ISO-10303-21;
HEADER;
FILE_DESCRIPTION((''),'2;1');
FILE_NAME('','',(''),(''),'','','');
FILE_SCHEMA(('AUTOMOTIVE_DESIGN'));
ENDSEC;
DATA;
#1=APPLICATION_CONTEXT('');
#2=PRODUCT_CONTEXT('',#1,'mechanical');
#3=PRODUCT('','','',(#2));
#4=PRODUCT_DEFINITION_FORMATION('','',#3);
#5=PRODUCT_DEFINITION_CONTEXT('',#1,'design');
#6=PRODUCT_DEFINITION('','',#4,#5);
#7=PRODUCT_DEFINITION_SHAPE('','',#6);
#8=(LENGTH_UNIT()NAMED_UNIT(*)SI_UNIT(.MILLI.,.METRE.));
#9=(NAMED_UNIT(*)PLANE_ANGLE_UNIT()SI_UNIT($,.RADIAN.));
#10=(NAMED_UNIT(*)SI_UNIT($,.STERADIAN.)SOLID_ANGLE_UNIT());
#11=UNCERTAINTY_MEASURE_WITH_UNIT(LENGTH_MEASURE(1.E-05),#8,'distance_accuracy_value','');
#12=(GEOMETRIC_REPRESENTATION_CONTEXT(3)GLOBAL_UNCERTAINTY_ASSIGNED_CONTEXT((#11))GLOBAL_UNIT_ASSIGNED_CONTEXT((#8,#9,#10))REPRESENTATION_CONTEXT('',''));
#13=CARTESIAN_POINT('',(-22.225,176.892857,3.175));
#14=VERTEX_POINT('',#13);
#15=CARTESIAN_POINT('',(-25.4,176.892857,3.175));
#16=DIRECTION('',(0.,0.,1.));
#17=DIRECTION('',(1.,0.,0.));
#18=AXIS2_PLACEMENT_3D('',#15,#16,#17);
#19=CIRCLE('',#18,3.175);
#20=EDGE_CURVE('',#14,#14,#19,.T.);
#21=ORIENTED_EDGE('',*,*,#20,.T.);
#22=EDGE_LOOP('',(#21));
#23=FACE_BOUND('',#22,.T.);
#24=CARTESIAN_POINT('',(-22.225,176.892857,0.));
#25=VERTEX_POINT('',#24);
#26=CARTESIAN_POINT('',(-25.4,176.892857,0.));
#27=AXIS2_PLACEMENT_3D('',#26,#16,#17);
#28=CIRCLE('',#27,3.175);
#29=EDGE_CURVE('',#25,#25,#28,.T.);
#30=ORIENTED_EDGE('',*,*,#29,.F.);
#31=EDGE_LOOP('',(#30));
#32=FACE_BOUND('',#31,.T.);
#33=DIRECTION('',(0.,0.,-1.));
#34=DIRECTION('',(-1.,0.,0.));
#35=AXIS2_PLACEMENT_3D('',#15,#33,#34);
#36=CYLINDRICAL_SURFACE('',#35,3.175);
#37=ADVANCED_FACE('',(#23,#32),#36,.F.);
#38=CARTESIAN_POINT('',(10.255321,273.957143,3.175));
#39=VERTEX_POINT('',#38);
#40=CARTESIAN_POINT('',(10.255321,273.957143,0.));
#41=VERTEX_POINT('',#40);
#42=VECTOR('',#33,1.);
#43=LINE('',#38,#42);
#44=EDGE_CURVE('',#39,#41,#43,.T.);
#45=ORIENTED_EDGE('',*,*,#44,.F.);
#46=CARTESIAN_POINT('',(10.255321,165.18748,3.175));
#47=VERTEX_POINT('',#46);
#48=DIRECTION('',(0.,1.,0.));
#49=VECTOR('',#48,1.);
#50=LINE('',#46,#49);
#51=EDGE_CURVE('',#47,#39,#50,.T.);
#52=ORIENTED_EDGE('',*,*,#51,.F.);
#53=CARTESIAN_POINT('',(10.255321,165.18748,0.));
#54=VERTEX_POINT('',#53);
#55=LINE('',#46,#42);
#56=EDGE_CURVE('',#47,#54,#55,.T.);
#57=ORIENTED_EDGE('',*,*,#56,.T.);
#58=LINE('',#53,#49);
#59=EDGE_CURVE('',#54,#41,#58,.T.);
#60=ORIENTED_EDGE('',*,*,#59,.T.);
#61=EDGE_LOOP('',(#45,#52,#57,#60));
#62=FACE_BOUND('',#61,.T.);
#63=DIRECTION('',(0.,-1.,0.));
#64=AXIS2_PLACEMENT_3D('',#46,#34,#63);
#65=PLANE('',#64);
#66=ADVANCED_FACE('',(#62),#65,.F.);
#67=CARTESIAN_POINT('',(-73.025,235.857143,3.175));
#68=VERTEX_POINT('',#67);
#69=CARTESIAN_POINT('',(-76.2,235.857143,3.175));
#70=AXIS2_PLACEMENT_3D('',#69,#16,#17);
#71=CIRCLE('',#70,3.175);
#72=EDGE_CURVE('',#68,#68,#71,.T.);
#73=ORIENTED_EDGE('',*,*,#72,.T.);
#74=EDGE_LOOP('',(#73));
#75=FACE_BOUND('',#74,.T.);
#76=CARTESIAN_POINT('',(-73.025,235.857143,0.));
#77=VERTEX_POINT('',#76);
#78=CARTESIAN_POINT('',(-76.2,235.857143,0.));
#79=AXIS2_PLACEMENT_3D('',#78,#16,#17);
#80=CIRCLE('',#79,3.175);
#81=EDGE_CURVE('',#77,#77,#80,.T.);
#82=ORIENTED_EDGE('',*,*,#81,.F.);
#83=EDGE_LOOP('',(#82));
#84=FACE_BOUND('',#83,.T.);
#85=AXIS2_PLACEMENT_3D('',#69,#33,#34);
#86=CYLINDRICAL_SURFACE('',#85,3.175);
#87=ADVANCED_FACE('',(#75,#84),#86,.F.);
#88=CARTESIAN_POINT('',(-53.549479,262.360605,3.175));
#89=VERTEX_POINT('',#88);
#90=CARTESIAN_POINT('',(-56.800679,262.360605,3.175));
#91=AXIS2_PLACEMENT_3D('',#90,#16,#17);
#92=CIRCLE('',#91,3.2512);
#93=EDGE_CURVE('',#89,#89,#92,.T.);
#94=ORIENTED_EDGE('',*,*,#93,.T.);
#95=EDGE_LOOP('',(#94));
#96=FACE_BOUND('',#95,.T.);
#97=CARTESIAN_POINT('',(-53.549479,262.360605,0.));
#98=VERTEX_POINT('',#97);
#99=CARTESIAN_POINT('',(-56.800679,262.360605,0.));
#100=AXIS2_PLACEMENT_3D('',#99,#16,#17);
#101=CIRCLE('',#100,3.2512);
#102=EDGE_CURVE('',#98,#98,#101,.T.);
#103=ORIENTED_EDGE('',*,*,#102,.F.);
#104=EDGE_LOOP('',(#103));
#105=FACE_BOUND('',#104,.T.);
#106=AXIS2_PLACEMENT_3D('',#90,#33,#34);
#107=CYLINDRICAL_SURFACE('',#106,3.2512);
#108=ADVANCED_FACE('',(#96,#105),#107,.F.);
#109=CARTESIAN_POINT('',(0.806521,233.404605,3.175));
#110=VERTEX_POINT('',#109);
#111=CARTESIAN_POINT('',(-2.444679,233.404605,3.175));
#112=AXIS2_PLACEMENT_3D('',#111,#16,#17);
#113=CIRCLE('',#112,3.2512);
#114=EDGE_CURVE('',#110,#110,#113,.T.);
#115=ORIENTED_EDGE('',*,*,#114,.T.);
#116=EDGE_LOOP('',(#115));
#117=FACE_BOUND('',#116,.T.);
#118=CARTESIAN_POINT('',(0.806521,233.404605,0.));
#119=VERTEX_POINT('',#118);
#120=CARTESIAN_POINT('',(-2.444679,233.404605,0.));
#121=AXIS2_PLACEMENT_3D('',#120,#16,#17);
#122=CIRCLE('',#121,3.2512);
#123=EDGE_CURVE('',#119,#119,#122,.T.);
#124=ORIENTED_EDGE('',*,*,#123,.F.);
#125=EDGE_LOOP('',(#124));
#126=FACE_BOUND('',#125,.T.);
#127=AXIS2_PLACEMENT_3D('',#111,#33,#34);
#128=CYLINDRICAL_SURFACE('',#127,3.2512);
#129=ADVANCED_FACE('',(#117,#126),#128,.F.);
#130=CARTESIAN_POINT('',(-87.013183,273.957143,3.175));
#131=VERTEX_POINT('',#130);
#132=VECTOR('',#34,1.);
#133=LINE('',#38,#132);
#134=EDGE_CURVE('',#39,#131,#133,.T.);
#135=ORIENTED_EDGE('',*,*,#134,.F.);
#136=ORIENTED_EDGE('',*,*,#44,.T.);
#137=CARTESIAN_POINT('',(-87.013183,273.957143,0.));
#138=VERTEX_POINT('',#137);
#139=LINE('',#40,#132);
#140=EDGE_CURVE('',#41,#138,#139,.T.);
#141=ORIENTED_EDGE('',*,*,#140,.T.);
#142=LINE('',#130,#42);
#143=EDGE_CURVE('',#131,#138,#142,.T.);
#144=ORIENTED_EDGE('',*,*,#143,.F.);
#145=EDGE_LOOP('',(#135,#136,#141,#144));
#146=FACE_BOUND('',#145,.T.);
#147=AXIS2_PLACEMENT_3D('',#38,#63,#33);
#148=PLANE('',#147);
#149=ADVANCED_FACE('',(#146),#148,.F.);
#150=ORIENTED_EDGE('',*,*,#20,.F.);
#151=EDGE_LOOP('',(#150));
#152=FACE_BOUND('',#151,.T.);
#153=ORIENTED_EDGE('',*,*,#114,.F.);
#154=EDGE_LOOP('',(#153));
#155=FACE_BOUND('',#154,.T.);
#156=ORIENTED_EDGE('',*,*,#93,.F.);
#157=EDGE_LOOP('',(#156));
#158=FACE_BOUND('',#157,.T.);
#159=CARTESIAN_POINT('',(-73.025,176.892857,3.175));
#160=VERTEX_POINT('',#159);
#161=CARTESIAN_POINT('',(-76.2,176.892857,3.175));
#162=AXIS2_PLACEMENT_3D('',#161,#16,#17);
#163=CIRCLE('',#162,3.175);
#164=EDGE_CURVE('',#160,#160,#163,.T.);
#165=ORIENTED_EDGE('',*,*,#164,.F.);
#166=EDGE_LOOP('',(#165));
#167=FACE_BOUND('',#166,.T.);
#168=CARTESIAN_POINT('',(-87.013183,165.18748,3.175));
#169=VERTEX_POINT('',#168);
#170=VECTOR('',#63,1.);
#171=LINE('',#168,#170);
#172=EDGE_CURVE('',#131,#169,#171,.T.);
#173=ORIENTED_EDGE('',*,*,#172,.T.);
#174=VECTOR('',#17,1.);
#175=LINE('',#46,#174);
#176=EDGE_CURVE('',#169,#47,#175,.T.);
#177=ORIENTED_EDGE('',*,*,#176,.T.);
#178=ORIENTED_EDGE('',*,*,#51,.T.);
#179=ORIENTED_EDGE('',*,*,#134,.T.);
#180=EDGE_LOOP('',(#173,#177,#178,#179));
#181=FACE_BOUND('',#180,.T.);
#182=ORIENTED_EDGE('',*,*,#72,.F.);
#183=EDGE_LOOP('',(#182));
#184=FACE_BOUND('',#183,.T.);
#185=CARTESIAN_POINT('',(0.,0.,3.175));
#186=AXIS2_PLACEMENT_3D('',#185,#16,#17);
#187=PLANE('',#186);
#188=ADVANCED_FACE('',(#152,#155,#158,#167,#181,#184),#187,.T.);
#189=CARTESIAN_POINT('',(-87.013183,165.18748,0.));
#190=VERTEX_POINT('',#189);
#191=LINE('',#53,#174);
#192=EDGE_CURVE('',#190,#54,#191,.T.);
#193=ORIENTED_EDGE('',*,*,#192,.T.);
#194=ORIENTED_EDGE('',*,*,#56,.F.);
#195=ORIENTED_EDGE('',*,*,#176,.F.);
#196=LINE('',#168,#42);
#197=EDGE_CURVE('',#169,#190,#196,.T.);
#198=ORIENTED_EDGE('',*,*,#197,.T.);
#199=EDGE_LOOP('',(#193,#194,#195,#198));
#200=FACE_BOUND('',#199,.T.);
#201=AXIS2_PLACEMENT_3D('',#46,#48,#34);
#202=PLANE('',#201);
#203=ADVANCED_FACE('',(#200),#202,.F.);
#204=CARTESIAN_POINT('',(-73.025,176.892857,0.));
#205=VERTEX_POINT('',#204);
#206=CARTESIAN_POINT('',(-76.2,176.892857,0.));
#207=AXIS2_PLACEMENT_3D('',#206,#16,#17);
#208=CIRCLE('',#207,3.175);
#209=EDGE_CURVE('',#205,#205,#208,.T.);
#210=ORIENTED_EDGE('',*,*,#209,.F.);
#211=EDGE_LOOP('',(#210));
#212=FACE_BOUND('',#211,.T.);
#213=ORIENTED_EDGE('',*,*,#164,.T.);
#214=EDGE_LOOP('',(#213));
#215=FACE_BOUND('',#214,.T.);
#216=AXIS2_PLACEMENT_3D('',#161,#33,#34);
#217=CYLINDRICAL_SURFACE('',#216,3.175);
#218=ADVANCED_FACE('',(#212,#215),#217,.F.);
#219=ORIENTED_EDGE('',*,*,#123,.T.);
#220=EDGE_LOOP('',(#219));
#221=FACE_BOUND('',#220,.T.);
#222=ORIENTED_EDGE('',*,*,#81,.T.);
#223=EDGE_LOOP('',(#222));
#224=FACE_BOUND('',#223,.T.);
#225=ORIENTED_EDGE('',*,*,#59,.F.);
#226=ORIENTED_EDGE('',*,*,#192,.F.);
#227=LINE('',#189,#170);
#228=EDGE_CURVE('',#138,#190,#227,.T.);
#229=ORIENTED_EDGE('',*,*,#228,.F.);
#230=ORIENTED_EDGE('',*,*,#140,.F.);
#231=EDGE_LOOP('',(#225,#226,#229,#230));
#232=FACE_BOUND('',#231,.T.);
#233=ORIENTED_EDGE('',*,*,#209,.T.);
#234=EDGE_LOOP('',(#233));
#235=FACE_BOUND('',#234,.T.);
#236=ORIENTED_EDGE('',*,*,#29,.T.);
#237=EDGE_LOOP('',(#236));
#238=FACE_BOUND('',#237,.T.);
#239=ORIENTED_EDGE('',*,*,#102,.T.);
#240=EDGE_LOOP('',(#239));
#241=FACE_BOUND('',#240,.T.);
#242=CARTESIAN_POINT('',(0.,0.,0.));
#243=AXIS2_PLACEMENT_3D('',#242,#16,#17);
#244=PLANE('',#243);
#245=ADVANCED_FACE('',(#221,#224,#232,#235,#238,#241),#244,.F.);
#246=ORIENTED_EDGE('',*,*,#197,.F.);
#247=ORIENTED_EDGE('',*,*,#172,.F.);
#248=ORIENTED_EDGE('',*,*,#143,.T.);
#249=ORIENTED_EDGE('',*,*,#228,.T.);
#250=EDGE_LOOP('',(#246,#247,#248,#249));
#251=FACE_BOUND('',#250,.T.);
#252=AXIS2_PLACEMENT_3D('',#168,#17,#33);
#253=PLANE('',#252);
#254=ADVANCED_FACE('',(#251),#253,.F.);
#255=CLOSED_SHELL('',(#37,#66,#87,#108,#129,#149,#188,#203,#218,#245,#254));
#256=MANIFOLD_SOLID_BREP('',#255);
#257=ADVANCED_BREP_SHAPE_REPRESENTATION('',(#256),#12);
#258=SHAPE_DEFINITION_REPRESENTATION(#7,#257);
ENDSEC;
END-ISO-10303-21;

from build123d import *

# Parameters (mm, degrees)
SKETCH1_W           = 97.268504438
SKETCH1_H           = 108.769662743
SKETCH1_R           = 3.175
SKETCH1_R_2         = 3.2512
BOSS_EXTRUDE1_DEPTH = 3.175


with BuildPart() as part:
    # Sketch1 → Boss-Extrude1 (new body)
    with BuildSketch(Plane.XY):
        with Locations((-38.378931076, 219.572311485)):
            Rectangle(SKETCH1_W, SKETCH1_H)
        with Locations((-25.4, 176.892857143)):
            Circle(SKETCH1_R, mode=Mode.SUBTRACT)
        with Locations((-76.2, 176.892857143)):
            Circle(SKETCH1_R, mode=Mode.SUBTRACT)
        with Locations((-2.444678857, 233.404604576)):
            Circle(SKETCH1_R_2, mode=Mode.SUBTRACT)
        with Locations((-56.800678857, 262.360604576)):
            Circle(SKETCH1_R_2, mode=Mode.SUBTRACT)
        with Locations((-76.2, 235.857142857)):
            Circle(SKETCH1_R, mode=Mode.SUBTRACT)
    extrude(amount=BOSS_EXTRUDE1_DEPTH)


solid = part.part
